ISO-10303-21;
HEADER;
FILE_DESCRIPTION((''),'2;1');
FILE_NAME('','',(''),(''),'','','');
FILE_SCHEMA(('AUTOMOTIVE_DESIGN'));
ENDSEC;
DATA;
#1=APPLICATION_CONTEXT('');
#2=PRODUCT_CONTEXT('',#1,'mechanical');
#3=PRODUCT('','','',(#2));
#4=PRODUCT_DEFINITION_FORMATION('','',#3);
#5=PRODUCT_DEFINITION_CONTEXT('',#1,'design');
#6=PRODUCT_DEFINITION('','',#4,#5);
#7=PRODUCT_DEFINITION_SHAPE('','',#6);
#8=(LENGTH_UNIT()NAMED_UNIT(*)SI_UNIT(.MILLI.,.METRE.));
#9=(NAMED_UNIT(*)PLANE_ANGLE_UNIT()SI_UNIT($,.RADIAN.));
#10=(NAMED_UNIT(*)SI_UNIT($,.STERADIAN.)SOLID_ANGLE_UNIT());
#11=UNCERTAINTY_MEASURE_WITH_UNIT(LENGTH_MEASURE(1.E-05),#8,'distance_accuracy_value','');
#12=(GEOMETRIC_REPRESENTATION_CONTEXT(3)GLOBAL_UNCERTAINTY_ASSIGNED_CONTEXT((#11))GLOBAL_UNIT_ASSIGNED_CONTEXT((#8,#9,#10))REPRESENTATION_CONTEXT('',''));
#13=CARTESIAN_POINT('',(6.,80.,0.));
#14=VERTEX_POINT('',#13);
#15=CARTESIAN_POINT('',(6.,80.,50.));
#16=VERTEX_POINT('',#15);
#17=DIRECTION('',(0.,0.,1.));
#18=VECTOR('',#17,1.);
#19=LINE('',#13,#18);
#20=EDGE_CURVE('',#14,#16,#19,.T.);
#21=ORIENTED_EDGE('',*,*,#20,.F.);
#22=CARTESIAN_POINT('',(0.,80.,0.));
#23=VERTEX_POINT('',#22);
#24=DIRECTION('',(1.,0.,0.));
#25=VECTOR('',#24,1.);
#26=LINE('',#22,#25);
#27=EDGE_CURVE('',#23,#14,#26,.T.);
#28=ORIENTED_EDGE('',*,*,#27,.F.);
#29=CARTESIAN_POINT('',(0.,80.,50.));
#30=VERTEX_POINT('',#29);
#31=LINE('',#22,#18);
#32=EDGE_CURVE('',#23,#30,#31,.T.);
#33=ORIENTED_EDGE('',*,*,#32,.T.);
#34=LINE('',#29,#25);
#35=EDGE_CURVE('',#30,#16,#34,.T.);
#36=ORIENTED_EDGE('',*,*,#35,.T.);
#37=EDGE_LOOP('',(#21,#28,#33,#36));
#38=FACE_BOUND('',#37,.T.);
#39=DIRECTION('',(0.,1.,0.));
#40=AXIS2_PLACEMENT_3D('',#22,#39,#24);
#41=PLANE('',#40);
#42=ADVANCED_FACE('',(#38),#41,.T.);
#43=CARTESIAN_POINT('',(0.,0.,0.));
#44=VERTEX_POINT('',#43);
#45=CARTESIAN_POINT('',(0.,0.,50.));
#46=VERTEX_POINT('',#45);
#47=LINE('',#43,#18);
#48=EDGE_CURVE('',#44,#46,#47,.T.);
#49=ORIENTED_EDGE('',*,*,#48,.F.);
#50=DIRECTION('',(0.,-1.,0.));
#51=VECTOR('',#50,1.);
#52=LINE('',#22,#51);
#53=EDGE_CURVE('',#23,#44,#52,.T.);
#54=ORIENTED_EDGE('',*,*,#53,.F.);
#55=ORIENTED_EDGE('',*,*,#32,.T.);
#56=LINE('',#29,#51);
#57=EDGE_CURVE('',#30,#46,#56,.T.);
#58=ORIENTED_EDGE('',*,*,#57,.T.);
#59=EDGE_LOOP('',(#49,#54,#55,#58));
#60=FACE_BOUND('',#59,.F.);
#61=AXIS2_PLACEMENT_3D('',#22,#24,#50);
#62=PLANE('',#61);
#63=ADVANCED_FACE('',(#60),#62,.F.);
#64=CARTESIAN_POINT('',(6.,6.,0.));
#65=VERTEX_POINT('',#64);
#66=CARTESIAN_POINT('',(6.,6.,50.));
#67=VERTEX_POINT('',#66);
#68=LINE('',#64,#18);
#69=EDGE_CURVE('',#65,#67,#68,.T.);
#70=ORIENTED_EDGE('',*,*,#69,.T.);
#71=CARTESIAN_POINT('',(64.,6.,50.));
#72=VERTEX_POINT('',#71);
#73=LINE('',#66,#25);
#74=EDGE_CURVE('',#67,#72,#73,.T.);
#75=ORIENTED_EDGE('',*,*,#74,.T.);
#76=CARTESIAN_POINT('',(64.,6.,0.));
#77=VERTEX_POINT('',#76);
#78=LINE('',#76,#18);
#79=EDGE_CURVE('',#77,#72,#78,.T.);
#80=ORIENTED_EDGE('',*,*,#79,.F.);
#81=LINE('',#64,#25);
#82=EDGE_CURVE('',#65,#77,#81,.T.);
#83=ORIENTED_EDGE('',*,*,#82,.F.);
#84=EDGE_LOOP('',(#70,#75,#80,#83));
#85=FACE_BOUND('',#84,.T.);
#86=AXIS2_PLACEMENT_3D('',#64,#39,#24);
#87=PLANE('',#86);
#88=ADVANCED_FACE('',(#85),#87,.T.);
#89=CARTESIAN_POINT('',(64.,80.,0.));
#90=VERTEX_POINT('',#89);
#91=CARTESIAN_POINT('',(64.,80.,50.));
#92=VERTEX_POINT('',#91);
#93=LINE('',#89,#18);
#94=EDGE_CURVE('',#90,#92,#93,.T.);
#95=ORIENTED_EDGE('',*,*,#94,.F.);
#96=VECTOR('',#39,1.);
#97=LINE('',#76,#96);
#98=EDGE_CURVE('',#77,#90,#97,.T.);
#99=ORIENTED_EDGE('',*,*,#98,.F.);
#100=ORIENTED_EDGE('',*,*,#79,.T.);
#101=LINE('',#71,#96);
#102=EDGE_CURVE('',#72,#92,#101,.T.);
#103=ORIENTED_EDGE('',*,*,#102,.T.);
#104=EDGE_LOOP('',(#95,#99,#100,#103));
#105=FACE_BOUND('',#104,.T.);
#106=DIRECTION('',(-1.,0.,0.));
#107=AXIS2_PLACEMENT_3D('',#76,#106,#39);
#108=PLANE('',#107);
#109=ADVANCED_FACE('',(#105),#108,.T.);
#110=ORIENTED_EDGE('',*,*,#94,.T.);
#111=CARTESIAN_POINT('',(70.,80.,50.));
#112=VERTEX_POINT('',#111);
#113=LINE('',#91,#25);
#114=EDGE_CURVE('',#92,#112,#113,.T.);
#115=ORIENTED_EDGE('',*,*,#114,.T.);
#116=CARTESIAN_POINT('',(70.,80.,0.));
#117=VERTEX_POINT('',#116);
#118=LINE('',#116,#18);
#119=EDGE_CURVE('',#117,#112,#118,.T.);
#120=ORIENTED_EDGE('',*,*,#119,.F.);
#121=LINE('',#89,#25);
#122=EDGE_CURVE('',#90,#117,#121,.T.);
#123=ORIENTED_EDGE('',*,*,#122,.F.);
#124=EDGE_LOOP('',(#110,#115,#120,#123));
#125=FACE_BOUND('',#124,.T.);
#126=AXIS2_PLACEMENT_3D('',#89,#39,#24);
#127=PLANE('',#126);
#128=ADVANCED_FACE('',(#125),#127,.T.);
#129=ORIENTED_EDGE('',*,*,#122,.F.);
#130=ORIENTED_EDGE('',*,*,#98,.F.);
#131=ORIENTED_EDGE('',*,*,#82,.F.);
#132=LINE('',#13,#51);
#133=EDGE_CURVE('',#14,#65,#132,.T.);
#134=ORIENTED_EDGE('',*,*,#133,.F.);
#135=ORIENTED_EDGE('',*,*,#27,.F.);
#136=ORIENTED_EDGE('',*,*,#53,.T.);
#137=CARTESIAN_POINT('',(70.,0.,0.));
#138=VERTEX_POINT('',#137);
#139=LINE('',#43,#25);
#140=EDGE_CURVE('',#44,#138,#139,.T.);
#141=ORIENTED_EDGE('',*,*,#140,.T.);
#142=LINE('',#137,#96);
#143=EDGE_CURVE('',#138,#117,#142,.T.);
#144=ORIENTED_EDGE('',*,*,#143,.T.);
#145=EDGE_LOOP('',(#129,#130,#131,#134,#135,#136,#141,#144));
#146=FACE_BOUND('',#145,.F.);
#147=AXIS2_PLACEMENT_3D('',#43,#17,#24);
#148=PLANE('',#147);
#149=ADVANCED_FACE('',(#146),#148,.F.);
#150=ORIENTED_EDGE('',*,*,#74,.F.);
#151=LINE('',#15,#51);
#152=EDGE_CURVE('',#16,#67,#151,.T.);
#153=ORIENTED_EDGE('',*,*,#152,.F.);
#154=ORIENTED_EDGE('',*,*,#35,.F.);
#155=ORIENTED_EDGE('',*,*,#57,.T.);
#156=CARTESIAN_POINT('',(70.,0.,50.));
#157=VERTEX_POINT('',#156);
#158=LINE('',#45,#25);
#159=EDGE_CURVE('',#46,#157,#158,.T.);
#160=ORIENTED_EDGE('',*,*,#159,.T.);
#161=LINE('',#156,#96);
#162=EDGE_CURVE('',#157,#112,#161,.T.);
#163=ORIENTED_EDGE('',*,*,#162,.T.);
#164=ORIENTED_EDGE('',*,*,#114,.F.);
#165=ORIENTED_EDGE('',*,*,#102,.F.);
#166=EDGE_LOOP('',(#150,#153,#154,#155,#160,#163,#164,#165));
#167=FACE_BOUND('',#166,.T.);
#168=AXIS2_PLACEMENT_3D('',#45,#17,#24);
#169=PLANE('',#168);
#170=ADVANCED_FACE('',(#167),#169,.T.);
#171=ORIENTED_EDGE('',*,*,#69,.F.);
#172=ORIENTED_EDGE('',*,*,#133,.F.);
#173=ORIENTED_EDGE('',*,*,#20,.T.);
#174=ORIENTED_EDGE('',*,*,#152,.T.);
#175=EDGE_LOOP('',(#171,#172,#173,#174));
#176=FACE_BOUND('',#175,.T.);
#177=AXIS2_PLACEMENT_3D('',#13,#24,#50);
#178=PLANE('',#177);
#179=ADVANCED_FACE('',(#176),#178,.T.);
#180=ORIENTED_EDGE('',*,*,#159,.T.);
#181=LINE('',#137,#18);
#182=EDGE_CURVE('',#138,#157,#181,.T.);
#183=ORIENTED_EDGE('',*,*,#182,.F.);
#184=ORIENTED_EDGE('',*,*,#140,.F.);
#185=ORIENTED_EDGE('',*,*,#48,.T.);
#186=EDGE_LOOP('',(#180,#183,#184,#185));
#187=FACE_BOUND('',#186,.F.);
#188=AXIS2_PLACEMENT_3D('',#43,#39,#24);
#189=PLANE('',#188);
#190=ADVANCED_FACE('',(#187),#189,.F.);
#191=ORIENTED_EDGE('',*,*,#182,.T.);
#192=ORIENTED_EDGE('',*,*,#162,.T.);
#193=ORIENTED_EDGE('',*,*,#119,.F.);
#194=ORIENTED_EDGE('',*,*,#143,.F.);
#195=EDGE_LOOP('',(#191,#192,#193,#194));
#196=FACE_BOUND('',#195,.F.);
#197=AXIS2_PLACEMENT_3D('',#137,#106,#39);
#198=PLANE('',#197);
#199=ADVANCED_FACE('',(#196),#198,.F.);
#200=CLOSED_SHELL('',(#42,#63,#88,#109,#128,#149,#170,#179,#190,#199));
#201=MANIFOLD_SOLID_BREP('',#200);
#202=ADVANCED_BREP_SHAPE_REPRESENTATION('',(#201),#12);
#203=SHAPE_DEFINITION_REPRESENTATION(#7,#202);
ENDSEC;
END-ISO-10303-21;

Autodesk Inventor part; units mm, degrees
ref_plane "YZ Plane" through (0, 0, 0) normal (1, 0, 0) x (0, 1, 0)
ref_plane "XZ Plane" through (0, 0, 0) normal (0, 1, 0) x (-1, 0, 0)
ref_plane "XY Plane" through (0, 0, 0) normal (0, 0, 1) x (1, 0, 0)
sketch "Sketch1" plane through (0, 0, 0) normal (0, 0, 1) x (1, 0, 0)
  line L0 (0, 80) -> (0, 0)
  line L1 (0, 0) -> (70, 0)
  line L2 (70, 0) -> (70, 80)
  line L3 (6, 80) -> (6, 6)
  line L4 (6, 6) -> (64, 6)
  line L5 (64, 6) -> (64, 80)
  line L6 (0, 80) -> (6, 80)
  line L7 (64, 80) -> (70, 80)
  dimension "d0" = 70
  dimension "d1" = 80
  dimension "d2" = 80
  dimension "d3" = 6
extrude "Extrusion1" add sketch "Sketch1" along normal blind 50
properties part number "armj1"
